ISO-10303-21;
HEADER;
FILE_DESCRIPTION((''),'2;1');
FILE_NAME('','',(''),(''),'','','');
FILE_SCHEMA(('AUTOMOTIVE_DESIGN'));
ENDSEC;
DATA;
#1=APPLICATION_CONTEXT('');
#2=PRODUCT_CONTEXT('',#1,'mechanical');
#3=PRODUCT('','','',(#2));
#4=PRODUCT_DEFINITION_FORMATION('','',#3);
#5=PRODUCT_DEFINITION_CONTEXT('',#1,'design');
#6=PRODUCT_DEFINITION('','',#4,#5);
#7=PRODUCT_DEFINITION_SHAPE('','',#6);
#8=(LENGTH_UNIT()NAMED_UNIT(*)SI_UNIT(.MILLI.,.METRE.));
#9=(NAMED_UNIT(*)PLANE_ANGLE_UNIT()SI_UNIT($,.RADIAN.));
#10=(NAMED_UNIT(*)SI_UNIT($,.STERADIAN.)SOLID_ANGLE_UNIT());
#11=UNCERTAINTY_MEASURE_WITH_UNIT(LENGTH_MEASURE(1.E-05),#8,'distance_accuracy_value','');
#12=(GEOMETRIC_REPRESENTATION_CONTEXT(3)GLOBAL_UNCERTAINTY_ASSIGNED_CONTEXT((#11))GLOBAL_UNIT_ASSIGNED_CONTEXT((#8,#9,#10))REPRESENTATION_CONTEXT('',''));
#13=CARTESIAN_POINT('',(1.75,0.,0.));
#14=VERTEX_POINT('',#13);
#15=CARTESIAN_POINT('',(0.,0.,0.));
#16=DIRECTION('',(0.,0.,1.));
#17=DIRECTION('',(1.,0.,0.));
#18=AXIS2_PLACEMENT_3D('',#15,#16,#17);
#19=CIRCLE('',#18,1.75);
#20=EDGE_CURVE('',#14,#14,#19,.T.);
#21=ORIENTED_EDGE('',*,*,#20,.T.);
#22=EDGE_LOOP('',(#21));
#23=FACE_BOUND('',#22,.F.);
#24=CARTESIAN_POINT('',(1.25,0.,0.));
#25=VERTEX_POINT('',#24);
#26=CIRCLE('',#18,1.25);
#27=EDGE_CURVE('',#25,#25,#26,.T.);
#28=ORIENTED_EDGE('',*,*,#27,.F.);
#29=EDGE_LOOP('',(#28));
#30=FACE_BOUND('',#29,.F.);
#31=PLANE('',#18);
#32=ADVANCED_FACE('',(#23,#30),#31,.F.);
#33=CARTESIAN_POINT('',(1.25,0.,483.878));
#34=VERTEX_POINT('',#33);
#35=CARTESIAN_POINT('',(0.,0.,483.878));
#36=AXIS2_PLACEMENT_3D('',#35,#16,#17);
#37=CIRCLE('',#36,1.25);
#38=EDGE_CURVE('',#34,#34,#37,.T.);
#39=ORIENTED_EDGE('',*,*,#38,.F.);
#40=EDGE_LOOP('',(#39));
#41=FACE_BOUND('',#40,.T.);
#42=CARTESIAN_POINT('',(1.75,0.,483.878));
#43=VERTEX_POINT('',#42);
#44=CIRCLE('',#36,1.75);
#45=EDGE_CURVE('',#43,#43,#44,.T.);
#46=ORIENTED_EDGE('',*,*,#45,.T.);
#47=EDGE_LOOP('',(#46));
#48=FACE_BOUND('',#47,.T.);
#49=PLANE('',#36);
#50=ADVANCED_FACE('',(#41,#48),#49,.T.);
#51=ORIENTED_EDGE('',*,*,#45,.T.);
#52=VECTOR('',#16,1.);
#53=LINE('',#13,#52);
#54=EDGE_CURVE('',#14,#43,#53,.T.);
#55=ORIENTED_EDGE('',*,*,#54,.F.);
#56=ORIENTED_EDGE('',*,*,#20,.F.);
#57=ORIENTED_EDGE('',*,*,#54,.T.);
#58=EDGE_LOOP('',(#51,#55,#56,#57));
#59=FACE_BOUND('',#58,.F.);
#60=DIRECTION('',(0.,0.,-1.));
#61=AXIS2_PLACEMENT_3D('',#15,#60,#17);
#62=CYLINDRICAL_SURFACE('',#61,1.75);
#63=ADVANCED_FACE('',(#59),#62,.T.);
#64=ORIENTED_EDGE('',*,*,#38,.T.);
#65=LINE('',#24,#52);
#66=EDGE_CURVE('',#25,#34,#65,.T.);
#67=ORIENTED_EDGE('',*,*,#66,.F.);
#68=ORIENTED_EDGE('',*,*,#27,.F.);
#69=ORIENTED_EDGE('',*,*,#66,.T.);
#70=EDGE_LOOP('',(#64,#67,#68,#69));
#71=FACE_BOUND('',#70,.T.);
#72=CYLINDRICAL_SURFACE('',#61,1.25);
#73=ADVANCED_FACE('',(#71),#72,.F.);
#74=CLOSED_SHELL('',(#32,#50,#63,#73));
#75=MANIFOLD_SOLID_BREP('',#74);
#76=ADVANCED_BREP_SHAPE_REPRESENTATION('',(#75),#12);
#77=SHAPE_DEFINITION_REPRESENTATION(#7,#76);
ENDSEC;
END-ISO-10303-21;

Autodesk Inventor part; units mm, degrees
ref_plane "YZ Plane" through (0, 0, 0) normal (1, 0, 0) x (0, 1, 0)
ref_plane "XZ Plane" through (0, 0, 0) normal (0, 1, 0) x (-1, 0, 0)
ref_plane "XY Plane" through (0, 0, 0) normal (0, 0, 1) x (1, 0, 0)
sketch "Sketch1" plane through (0, 0, 0) normal (0, 0, 1) x (1, 0, 0)
  circle A0 centre (0, 0) radius 1.75
  circle A1 centre (0, 0) radius 1.25
  dimension "d0" = 3.5
  dimension "d1" = 2.5
extrude "Extrusion1" add sketch "Sketch1" along normal blind 483.878
properties part number "cienki_spar_krotki__ale_troche_dluzszy"
